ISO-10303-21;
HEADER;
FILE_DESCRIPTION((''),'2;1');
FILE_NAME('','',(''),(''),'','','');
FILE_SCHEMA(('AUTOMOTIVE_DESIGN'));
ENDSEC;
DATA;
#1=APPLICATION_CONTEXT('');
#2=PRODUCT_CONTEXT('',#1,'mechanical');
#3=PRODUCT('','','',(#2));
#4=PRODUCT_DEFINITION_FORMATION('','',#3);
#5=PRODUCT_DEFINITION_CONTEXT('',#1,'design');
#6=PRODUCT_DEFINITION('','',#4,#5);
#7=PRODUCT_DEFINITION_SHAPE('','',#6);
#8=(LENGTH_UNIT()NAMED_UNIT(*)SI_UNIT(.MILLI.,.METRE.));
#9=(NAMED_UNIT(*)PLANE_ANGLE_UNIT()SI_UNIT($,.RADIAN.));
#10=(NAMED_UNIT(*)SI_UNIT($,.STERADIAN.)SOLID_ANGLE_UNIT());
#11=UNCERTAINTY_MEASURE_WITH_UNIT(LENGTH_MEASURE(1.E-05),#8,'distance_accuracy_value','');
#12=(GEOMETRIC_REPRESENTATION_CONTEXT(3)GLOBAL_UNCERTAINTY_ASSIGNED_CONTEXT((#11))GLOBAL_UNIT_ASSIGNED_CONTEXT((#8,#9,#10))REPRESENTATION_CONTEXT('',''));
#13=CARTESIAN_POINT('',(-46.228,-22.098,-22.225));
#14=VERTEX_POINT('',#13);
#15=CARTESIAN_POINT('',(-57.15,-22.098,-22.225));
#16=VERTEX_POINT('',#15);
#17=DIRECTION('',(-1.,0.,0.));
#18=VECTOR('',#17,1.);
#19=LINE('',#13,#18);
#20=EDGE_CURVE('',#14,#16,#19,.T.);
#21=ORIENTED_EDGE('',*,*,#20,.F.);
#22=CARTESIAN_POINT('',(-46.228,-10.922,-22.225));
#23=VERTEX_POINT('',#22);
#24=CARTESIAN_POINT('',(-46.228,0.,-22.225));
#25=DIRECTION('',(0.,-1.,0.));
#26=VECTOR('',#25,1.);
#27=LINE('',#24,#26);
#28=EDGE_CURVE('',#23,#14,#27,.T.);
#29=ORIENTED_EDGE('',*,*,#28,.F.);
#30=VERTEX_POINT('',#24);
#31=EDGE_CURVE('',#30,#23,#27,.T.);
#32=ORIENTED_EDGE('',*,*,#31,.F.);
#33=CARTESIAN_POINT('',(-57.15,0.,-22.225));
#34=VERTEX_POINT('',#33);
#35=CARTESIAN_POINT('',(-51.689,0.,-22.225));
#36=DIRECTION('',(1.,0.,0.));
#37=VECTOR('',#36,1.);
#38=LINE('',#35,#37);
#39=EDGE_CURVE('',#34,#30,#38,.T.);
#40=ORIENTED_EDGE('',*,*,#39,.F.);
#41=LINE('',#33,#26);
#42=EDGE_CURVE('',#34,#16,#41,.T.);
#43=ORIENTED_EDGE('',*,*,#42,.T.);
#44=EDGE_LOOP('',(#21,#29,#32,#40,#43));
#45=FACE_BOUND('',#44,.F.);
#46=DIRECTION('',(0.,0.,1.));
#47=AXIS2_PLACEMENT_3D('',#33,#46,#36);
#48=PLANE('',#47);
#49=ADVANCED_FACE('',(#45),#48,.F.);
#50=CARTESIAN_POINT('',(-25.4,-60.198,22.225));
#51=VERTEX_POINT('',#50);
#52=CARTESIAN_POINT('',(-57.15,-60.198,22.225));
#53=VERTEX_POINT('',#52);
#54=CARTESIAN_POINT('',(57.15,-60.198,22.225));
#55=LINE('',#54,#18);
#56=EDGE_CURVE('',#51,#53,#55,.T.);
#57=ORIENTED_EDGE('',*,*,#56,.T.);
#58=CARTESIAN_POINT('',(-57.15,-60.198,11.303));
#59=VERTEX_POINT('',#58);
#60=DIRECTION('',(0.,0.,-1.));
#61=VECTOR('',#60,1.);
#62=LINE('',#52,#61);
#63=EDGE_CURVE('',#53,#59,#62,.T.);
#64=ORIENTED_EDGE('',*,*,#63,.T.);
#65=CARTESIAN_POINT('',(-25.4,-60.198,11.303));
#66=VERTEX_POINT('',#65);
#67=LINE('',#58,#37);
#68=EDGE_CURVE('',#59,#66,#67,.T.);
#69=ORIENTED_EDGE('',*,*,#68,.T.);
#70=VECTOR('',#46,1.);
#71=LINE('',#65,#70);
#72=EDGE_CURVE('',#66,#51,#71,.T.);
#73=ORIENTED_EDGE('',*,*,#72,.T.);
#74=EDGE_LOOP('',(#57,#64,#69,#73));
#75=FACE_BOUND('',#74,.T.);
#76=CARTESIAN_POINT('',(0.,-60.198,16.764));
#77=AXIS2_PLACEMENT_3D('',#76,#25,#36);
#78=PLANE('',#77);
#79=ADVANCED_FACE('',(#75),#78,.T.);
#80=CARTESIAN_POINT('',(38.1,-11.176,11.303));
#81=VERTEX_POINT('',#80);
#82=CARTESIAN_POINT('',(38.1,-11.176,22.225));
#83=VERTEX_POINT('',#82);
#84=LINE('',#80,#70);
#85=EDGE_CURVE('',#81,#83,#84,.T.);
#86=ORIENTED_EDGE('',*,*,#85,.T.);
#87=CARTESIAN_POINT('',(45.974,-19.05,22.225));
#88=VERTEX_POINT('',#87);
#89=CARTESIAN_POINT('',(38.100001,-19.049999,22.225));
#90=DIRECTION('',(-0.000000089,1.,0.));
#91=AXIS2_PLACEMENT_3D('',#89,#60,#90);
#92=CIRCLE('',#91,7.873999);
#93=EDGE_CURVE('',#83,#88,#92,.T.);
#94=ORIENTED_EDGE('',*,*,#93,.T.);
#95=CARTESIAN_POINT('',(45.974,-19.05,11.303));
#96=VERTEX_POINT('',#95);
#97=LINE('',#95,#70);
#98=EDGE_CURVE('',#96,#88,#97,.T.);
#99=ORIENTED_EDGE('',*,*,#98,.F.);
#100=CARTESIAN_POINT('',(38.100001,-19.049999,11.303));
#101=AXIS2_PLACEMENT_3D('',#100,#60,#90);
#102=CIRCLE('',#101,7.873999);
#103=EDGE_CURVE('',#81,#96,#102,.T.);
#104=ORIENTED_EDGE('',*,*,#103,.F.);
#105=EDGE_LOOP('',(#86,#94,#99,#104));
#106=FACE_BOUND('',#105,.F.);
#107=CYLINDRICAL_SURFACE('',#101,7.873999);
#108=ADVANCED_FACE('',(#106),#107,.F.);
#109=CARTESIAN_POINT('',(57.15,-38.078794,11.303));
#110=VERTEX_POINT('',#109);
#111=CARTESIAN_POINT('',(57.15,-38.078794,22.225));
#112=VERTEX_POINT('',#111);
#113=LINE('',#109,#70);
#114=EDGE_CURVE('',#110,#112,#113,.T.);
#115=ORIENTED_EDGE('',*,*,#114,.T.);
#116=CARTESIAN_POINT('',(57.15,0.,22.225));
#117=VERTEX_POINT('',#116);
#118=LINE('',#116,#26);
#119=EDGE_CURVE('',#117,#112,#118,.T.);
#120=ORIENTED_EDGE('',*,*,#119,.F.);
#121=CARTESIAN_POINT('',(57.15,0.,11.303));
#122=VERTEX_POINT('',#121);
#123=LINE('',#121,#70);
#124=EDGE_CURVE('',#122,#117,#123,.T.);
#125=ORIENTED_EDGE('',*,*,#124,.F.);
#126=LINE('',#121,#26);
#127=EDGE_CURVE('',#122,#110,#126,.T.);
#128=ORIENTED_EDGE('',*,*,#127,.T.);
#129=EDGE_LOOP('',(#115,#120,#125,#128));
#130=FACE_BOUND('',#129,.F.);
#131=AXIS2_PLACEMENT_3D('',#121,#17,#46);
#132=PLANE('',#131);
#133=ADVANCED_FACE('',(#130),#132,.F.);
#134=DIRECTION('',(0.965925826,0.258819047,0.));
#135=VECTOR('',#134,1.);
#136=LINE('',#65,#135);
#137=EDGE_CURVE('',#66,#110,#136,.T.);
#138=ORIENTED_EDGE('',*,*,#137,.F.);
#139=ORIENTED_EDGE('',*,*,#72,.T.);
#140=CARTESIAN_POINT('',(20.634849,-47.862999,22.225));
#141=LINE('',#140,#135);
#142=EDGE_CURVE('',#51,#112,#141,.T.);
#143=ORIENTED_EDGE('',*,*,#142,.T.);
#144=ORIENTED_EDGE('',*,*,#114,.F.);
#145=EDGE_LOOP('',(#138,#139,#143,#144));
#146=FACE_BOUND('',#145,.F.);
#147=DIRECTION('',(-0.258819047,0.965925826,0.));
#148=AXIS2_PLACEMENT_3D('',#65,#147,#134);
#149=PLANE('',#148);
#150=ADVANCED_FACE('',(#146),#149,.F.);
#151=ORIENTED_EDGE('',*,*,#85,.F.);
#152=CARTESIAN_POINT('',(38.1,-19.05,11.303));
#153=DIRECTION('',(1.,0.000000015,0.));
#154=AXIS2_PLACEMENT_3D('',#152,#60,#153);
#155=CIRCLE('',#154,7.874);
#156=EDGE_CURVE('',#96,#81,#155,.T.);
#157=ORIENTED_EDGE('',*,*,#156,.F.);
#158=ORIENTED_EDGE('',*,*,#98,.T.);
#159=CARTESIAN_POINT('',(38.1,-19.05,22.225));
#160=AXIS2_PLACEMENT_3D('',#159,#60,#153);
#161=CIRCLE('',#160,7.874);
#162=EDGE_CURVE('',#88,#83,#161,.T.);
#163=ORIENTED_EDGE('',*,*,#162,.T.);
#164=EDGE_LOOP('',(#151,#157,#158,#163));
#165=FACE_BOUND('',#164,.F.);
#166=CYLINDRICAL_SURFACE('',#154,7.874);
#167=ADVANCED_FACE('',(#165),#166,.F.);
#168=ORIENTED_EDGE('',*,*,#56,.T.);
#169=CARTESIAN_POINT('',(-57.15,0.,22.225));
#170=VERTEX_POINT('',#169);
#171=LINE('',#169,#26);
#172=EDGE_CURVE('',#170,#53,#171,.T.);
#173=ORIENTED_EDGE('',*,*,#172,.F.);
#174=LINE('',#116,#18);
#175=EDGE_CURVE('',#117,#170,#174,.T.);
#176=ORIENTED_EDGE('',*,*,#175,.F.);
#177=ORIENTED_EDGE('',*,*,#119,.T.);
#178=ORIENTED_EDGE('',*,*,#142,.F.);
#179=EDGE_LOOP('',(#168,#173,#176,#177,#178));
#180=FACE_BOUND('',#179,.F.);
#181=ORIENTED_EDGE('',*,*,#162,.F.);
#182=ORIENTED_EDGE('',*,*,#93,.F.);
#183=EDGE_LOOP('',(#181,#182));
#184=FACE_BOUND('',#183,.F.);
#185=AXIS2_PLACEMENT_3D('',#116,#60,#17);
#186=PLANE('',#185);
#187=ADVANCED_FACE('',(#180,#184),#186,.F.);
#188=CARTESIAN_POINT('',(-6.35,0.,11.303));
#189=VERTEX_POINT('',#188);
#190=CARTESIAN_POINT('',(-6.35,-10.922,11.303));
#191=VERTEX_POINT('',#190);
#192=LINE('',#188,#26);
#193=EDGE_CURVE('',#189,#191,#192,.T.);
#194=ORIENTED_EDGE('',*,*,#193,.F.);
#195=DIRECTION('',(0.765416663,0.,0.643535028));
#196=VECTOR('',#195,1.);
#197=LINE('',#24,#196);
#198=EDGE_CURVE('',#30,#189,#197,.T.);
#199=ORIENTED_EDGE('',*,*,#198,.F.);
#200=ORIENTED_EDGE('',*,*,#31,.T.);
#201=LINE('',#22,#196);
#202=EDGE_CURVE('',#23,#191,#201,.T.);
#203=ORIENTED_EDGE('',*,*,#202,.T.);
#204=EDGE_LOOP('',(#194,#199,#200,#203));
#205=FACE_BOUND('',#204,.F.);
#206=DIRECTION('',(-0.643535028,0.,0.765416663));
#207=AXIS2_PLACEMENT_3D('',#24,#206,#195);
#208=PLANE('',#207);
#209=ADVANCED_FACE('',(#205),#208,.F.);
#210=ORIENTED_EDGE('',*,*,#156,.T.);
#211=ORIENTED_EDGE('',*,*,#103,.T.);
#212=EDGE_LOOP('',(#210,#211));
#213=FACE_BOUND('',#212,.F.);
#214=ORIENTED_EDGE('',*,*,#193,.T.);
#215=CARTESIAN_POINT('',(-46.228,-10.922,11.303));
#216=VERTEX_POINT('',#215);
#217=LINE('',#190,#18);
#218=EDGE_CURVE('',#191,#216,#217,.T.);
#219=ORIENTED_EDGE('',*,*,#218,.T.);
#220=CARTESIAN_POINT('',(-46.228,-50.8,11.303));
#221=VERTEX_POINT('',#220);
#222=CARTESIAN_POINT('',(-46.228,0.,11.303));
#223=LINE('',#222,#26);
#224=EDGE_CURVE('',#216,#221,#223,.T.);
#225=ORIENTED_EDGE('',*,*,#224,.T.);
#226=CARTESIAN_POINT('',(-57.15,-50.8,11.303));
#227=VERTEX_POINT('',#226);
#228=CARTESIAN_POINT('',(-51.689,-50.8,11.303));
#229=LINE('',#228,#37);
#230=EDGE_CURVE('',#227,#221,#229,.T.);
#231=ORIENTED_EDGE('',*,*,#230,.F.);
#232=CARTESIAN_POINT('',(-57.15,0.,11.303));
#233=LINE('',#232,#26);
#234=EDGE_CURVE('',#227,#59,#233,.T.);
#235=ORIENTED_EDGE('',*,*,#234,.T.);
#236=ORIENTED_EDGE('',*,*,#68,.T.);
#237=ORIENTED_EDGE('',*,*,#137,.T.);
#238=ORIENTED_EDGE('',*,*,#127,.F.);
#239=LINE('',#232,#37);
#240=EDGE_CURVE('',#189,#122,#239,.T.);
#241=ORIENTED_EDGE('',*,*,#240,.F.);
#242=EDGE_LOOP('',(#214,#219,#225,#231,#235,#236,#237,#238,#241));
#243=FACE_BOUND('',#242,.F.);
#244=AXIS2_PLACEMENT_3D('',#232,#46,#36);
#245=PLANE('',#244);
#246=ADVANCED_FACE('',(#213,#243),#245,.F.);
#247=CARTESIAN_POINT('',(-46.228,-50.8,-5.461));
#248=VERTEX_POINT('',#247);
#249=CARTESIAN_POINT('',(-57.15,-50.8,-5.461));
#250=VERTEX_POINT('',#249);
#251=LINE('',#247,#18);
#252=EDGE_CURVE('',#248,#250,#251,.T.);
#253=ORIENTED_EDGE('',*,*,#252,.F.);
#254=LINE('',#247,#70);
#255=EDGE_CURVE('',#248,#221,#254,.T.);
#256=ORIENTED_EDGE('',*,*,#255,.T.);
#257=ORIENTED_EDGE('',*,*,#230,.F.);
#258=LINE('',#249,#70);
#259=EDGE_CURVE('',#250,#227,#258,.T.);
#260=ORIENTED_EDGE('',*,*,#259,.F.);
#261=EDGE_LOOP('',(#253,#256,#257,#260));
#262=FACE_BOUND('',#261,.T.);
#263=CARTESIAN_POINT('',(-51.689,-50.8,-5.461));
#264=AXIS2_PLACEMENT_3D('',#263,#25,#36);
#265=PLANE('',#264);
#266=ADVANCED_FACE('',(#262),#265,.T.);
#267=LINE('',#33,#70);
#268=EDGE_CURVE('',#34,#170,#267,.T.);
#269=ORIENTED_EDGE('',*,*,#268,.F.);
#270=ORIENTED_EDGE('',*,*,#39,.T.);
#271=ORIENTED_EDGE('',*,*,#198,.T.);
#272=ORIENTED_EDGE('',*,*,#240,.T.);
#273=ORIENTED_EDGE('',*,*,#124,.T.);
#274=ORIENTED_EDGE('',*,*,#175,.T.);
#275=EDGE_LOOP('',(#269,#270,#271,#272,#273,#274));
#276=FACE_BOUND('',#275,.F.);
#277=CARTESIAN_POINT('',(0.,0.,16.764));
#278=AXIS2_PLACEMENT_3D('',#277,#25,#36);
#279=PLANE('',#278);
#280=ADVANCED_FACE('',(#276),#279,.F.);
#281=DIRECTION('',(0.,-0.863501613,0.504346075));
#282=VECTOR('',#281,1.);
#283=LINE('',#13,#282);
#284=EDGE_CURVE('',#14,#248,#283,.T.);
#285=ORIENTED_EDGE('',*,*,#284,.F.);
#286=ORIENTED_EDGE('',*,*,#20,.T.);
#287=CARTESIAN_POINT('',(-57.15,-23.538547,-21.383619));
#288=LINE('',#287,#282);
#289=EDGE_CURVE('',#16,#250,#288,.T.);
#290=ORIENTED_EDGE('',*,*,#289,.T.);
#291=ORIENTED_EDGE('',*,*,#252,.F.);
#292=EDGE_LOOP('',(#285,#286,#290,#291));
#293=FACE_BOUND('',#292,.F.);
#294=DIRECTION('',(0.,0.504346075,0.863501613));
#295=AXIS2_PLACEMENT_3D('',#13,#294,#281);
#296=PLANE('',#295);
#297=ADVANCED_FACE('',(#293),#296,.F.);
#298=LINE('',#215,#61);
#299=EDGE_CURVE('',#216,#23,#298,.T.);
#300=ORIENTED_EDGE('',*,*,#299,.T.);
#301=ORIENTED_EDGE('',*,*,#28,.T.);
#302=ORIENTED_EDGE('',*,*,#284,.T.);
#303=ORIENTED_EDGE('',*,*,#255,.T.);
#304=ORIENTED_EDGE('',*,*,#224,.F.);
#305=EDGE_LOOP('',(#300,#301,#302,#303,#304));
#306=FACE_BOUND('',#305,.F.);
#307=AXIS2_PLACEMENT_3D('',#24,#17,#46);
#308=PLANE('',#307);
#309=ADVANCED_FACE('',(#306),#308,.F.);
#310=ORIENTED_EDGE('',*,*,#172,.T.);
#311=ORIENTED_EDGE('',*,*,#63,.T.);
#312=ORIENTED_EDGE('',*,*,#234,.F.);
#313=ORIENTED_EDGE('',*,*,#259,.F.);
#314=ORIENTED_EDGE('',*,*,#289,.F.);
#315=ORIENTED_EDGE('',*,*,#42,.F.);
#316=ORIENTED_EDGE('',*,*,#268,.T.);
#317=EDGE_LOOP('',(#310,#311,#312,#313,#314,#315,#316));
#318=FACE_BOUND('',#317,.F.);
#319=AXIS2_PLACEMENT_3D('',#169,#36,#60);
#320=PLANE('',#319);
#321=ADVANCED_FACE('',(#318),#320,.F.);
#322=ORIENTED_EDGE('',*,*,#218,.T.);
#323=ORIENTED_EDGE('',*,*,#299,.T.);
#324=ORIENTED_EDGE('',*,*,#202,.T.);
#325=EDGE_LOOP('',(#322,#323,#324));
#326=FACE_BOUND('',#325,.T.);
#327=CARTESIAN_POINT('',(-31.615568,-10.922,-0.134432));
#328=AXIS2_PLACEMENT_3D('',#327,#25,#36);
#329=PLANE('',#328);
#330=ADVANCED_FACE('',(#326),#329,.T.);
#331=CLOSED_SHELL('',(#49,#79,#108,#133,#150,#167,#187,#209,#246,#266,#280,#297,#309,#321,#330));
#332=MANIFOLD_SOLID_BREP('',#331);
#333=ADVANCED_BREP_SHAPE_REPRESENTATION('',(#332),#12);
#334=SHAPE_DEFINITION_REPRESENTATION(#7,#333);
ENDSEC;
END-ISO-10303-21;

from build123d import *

# Parameters (mm, degrees)
F1_DEPTH = 10.922
F0_W     = 10.922
F0_H     = 33.528
F2_DEPTH = 50.8
F3_DEPTH = 60.198
F5_DEPTH = 10.923
F7_DEPTH = 10.923


with BuildPart() as f1:
    # F0 (on Front) → F1 (new body)
    with BuildSketch(Plane.XZ):
        Polygon((-46.228, -22.225), (-6.35, 11.303), (-46.228, 11.303), align=None)
    extrude(amount=F1_DEPTH)

    # F0 (on Front) → F2 (join)
    with BuildSketch(Plane.XZ):
        with Locations((-51.689, -5.461)):
            Rectangle(F0_W, F0_H)
    extrude(amount=F2_DEPTH)

    # F0 (on Front) → F3 (join)
    with BuildSketch(Plane.XZ):
        Polygon((57.15, 11.303), (57.15, 22.225), (-57.15, 22.225), (-57.15, 11.303), (-46.228, 11.303), (-6.35, 11.303), align=None)
    extrude(amount=F3_DEPTH)

    # F4 (on face) → F5 (cut, through all)
    with BuildSketch(Plane(origin=(0, 0, 11.303), x_dir=(1, 0, 0), z_dir=(0, 0, -1))):
        with BuildLine():
            ThreePointArc((38.1, 11.176), (43.667759, 13.482241), (45.974, 19.05))
            ThreePointArc((45.974, 19.05), (32.532241, 24.617759), (38.1, 11.176))
        make_face()
        Polygon((57.15, 60.198), (-25.4, 60.198), (57.15, 38.078794), align=None)
    extrude(amount=-F5_DEPTH, mode=Mode.SUBTRACT)

    # F6 (on face) → F7 (cut, through all)
    with BuildSketch(Plane.YZ.offset(-46.228)):
        Polygon((-50.8, -5.461), (-50.8, -22.225), (-22.098, -22.225), align=None)
    extrude(amount=-F7_DEPTH, mode=Mode.SUBTRACT)


solid = f1.part
